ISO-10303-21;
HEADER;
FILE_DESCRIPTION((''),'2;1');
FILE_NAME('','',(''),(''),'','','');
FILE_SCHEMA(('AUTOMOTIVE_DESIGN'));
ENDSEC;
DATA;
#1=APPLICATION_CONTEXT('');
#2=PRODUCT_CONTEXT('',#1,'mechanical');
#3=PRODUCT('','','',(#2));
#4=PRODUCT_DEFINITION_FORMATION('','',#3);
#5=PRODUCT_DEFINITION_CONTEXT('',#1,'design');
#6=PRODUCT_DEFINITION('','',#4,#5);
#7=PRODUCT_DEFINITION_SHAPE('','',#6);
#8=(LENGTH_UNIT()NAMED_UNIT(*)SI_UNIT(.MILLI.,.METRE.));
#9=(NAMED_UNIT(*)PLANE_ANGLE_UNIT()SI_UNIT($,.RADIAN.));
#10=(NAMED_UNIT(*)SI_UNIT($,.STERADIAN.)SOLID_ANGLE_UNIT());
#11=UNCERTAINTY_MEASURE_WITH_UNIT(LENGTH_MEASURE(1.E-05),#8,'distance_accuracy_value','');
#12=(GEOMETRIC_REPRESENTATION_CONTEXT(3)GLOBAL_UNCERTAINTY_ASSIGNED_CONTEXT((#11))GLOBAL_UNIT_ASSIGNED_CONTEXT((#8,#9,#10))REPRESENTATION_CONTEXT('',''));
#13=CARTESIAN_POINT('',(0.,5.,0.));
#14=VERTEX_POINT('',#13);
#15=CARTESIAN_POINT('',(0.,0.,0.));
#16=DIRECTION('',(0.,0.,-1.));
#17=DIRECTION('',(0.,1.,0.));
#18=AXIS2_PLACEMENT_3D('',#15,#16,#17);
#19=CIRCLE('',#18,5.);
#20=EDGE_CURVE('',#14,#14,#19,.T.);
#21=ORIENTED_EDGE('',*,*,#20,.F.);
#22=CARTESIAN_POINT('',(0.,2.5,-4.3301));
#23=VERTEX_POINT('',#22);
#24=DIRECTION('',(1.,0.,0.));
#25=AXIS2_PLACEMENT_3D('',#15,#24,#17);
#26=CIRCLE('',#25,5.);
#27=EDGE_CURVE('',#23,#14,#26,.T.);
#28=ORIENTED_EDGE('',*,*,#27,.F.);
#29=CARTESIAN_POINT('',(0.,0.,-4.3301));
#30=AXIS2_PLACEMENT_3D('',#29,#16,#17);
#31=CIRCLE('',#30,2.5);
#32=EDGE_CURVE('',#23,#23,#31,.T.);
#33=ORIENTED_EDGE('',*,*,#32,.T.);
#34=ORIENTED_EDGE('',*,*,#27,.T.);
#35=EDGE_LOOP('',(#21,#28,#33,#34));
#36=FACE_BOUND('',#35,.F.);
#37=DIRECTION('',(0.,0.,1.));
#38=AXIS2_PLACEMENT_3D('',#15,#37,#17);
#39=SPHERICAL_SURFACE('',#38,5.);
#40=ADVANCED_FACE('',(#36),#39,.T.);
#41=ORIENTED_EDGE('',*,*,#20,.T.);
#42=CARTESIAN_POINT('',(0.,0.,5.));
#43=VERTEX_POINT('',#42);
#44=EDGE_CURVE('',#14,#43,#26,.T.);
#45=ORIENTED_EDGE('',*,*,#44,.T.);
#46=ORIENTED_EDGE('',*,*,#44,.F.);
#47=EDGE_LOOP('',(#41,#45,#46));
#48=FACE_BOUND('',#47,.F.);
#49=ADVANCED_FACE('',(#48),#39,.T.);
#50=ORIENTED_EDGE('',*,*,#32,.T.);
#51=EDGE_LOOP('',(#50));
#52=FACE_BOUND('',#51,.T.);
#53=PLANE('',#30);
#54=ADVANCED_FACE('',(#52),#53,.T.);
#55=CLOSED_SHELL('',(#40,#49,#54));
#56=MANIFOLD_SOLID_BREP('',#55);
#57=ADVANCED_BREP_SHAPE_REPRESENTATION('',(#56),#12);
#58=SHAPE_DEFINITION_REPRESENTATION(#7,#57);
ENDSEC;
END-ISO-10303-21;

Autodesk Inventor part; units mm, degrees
ref_plane "YZ Plane" through (0, 0, 0) normal (1, 0, 0) x (0, 1, 0)
ref_plane "XZ Plane" through (0, 0, 0) normal (0, 1, 0) x (-1, 0, 0)
ref_plane "XY Plane" through (0, 0, 0) normal (0, 0, 1) x (1, 0, 0)
sketch "Sketch1" plane through (0, 0, 0) normal (1, 0, 0) x (0, 1, 0)
  circle A0 centre (0, 0) radius 5
  line L0 (2.5, -4.3301) -> (-2.5, -4.3301)
  line L1 (0, 5) -> (0, -4.3301)
  dimension "d0" = 10
  dimension "d1" = 5
revolve "Revolution1" add sketch "Sketch1" angle 360 about axis through (0, 0, 5) along (0, 0, -1) picked at (0.3709, 1.8482) contours A0 L0 L1
properties part number "CouplerBall" material "Stainless Steel"
